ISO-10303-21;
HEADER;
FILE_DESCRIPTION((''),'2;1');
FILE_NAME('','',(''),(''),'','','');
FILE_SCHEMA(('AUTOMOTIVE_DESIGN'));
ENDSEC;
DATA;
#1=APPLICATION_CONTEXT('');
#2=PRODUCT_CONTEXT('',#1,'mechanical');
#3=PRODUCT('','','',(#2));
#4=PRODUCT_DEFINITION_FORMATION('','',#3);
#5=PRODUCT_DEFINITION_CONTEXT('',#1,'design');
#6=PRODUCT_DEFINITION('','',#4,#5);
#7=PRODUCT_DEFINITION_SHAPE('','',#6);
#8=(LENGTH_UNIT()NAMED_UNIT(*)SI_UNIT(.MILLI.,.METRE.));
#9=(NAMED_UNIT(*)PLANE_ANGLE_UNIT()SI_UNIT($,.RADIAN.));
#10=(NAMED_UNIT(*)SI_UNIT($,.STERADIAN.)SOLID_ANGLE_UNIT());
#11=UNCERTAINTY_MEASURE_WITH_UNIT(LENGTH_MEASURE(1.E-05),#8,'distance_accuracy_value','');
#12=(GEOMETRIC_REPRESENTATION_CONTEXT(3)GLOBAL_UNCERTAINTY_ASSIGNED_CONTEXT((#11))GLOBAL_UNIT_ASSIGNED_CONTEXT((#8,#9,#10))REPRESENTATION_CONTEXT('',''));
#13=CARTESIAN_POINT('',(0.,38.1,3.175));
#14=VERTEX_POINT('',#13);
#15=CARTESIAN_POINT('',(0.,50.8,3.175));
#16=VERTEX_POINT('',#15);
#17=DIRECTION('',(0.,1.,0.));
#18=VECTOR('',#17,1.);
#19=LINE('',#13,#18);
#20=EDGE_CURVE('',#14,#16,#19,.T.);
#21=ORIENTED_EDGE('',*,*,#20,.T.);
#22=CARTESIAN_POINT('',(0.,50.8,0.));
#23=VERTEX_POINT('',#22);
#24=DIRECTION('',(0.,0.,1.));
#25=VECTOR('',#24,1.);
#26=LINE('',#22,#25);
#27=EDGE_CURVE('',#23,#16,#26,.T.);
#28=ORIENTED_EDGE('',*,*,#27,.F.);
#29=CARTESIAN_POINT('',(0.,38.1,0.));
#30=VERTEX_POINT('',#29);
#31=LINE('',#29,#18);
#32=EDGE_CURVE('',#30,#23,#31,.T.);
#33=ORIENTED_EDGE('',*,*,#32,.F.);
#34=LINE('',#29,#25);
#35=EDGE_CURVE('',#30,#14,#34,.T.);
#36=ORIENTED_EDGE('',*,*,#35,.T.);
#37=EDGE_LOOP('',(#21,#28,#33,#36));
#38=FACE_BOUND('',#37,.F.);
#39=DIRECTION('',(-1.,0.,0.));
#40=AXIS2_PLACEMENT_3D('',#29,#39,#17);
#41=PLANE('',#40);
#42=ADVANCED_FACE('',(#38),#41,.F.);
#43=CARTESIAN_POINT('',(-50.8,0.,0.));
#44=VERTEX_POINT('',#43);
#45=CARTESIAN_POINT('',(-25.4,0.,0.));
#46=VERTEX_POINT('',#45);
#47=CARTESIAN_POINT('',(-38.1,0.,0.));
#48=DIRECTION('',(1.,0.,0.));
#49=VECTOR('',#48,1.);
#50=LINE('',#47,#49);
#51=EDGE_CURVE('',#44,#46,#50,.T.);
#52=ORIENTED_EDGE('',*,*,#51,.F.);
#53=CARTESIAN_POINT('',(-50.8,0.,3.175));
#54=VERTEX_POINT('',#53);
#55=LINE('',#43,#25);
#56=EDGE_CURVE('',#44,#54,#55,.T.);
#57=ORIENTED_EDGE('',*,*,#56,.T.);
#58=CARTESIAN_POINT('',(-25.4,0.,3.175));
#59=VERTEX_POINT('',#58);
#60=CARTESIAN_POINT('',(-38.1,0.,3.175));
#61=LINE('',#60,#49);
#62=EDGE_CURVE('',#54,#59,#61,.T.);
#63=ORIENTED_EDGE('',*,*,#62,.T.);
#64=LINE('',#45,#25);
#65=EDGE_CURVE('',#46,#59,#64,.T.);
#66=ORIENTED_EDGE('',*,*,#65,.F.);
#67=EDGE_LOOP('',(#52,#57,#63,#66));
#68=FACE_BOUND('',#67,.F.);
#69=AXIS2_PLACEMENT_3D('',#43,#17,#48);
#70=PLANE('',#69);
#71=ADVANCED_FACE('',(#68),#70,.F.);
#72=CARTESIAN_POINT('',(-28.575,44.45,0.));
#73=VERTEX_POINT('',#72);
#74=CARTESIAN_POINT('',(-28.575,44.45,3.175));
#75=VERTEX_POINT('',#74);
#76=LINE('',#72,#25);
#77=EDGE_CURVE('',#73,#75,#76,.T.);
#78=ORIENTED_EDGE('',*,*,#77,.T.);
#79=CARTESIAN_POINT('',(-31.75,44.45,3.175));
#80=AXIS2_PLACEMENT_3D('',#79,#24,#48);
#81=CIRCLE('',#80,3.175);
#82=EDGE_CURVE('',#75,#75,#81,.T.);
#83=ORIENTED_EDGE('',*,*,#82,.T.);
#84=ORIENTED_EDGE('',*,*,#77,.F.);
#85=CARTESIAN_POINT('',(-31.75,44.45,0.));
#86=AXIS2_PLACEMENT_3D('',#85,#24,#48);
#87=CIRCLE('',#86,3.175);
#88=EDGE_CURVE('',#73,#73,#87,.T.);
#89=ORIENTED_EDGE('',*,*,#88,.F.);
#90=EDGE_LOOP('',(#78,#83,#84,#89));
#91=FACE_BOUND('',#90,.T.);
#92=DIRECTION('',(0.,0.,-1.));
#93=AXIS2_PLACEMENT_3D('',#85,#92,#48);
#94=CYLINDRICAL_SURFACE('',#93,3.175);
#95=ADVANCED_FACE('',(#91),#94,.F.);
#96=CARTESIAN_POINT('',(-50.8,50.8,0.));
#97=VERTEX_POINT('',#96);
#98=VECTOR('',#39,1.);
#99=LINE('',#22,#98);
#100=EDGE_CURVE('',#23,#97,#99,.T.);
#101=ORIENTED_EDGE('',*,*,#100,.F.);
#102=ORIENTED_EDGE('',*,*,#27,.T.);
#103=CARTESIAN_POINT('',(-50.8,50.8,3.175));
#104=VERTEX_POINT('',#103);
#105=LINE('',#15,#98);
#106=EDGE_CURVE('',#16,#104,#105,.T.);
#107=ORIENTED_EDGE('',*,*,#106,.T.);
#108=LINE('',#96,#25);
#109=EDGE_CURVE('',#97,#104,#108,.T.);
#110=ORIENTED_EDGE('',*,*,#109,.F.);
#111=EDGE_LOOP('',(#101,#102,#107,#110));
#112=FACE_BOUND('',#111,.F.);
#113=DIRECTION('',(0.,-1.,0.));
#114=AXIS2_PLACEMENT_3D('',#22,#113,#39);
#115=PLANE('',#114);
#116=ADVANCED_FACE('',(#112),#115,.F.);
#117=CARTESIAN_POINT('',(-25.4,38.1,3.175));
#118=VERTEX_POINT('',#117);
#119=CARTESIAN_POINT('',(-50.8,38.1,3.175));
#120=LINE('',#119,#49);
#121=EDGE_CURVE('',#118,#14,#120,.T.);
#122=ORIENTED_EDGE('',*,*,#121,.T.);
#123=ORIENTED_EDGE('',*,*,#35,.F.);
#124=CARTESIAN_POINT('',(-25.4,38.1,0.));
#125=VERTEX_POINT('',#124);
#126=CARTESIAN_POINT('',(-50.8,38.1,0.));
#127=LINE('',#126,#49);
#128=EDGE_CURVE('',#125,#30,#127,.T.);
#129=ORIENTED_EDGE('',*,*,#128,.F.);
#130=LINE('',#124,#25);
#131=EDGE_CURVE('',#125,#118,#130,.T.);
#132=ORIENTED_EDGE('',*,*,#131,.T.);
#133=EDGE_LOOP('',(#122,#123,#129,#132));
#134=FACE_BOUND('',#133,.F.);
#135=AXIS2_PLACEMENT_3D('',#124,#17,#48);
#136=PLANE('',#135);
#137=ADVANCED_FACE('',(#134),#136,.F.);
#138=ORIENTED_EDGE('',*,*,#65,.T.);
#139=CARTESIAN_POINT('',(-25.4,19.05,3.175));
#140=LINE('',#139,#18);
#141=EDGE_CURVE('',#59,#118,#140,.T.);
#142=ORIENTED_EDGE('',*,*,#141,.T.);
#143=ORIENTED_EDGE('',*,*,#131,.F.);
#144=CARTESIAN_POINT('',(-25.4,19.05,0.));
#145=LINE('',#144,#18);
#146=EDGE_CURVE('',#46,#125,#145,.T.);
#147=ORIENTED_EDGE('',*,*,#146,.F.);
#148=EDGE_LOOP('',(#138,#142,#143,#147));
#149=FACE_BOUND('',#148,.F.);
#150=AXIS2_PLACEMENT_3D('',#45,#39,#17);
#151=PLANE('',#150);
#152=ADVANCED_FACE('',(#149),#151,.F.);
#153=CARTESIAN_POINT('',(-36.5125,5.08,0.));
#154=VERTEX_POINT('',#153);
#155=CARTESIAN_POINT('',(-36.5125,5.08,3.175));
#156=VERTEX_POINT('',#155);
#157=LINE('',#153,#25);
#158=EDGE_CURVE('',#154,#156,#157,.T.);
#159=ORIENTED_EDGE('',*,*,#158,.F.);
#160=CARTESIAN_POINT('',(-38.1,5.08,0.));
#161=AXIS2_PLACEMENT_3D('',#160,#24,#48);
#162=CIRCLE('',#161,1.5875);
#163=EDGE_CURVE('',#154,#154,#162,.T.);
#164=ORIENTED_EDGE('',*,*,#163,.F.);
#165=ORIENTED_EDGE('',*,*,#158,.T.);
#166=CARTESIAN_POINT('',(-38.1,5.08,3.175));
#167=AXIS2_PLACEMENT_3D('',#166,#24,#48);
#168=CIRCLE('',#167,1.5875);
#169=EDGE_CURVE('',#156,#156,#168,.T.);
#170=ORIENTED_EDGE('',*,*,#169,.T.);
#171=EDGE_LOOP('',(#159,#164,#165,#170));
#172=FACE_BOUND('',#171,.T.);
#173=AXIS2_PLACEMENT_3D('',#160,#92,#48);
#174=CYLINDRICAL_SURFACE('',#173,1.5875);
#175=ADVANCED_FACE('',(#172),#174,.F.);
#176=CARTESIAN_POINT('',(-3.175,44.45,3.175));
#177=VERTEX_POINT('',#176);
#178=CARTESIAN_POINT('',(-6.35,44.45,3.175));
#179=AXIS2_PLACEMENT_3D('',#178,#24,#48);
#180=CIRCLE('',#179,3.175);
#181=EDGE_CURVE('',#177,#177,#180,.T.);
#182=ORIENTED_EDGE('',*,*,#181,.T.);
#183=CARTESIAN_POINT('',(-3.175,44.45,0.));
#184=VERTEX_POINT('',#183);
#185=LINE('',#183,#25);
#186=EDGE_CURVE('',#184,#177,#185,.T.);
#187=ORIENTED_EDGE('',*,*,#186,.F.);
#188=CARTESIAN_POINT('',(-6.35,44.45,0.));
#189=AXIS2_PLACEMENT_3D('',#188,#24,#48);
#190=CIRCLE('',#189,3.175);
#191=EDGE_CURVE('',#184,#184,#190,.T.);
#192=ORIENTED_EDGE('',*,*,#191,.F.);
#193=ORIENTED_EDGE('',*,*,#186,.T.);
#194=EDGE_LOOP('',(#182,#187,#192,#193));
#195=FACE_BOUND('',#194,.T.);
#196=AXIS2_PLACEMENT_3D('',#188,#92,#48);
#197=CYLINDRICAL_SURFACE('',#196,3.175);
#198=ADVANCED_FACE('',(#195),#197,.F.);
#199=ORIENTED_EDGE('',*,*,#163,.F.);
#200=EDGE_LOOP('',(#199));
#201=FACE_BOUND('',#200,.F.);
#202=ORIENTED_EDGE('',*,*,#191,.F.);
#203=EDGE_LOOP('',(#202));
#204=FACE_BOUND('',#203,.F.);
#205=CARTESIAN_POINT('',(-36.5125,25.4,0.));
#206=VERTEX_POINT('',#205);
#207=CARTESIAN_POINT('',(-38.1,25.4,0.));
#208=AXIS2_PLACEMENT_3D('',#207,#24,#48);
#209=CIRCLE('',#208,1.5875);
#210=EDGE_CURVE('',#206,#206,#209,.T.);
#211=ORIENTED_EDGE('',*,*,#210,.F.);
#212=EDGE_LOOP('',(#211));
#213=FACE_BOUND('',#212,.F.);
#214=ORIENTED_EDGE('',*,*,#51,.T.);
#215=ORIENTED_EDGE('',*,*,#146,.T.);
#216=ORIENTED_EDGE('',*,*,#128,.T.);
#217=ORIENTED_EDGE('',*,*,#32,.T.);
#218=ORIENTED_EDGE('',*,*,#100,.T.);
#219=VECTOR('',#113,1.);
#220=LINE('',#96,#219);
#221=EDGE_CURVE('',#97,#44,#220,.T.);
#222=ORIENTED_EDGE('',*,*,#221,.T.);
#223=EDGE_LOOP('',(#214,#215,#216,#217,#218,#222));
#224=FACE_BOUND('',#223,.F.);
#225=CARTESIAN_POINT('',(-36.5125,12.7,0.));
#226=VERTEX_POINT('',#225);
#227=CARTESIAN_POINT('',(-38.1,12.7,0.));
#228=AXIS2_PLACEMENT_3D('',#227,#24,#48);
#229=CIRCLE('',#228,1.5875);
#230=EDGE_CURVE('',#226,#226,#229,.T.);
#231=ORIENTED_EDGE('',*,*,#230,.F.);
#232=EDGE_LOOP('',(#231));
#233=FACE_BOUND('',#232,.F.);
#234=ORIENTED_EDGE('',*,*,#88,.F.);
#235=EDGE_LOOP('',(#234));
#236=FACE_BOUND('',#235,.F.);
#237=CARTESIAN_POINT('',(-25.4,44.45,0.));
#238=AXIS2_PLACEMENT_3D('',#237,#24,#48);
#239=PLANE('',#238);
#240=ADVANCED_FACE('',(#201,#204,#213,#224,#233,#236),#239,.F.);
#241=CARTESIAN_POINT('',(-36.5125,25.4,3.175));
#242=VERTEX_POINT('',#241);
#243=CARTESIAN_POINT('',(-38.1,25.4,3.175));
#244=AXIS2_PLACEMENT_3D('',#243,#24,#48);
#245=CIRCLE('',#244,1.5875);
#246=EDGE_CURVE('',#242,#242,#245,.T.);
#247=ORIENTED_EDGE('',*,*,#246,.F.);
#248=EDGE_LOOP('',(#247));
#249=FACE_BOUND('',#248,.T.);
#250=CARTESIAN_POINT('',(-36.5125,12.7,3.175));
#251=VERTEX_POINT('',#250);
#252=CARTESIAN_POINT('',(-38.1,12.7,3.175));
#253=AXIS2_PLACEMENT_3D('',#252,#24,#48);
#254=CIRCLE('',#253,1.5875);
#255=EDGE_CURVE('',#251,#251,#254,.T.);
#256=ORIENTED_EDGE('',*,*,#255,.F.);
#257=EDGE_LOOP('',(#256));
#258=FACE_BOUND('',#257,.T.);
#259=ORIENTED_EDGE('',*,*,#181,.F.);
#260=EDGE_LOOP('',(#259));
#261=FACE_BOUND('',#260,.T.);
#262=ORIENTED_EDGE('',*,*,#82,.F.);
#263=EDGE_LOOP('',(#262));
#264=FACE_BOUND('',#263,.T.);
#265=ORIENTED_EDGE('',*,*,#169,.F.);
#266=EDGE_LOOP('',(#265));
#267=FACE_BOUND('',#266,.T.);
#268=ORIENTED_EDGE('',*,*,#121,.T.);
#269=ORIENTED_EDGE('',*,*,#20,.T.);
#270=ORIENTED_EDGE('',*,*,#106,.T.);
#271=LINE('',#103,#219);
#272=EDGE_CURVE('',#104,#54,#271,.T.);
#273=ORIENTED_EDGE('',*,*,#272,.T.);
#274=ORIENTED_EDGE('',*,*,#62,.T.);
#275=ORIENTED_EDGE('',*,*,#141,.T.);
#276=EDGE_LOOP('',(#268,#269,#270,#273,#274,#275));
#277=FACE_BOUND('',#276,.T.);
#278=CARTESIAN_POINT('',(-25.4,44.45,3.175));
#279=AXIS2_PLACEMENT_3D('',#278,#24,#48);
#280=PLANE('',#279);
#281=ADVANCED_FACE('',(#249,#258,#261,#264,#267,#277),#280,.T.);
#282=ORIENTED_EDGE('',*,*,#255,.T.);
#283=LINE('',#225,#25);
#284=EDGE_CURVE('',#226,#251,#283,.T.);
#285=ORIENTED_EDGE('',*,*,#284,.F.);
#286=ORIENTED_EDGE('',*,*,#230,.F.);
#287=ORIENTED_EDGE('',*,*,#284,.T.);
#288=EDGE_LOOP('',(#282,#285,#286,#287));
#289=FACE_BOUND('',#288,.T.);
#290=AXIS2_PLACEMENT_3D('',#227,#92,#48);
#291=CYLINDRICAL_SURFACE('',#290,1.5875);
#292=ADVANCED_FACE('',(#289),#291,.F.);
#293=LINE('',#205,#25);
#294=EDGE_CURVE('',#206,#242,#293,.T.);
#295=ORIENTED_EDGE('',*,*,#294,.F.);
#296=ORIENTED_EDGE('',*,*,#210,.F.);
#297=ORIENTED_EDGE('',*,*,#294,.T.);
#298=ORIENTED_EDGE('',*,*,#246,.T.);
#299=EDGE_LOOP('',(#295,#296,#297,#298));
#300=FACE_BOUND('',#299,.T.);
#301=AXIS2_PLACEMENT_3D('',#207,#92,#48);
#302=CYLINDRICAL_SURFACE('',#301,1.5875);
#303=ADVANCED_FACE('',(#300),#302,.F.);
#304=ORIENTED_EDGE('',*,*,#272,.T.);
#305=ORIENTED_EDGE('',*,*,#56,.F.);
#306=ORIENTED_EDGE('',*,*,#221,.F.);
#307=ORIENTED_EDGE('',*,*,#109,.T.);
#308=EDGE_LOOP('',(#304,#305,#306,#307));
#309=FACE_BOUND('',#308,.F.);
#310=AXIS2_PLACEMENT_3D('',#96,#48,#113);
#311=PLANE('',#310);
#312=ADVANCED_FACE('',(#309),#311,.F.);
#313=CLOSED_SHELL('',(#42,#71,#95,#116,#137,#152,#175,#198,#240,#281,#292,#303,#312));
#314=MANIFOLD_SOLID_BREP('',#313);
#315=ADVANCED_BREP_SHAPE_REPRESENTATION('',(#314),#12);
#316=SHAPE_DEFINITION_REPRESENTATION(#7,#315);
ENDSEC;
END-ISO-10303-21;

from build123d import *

# Parameters (mm, degrees)
F0_R     = 3.175
F0_W     = 25.4
F0_H     = 38.1
F0_R_2   = 1.5875
F1_DEPTH = 3.175


with BuildPart() as f1:
    # F0 (on Top) → F1 (new body)
    with BuildSketch(Plane.XY):
        Polygon((-50.8, 50.8), (-50.8, 38.1), (-25.4, 38.1), (0, 38.1), (0, 50.8), align=None)
        with Locations((-31.75, 44.45)):
            Circle(F0_R, mode=Mode.SUBTRACT)
        with Locations((-6.35, 44.45)):
            Circle(F0_R, mode=Mode.SUBTRACT)
        with Locations((-38.1, 19.05)):
            Rectangle(F0_W, F0_H)
        with Locations((-38.1, 5.08)):
            Circle(F0_R_2, mode=Mode.SUBTRACT)
        with Locations((-38.1, 12.7)):
            Circle(F0_R_2, mode=Mode.SUBTRACT)
        with Locations((-38.1, 25.4)):
            Circle(F0_R_2, mode=Mode.SUBTRACT)
    extrude(amount=F1_DEPTH)


solid = f1.part
